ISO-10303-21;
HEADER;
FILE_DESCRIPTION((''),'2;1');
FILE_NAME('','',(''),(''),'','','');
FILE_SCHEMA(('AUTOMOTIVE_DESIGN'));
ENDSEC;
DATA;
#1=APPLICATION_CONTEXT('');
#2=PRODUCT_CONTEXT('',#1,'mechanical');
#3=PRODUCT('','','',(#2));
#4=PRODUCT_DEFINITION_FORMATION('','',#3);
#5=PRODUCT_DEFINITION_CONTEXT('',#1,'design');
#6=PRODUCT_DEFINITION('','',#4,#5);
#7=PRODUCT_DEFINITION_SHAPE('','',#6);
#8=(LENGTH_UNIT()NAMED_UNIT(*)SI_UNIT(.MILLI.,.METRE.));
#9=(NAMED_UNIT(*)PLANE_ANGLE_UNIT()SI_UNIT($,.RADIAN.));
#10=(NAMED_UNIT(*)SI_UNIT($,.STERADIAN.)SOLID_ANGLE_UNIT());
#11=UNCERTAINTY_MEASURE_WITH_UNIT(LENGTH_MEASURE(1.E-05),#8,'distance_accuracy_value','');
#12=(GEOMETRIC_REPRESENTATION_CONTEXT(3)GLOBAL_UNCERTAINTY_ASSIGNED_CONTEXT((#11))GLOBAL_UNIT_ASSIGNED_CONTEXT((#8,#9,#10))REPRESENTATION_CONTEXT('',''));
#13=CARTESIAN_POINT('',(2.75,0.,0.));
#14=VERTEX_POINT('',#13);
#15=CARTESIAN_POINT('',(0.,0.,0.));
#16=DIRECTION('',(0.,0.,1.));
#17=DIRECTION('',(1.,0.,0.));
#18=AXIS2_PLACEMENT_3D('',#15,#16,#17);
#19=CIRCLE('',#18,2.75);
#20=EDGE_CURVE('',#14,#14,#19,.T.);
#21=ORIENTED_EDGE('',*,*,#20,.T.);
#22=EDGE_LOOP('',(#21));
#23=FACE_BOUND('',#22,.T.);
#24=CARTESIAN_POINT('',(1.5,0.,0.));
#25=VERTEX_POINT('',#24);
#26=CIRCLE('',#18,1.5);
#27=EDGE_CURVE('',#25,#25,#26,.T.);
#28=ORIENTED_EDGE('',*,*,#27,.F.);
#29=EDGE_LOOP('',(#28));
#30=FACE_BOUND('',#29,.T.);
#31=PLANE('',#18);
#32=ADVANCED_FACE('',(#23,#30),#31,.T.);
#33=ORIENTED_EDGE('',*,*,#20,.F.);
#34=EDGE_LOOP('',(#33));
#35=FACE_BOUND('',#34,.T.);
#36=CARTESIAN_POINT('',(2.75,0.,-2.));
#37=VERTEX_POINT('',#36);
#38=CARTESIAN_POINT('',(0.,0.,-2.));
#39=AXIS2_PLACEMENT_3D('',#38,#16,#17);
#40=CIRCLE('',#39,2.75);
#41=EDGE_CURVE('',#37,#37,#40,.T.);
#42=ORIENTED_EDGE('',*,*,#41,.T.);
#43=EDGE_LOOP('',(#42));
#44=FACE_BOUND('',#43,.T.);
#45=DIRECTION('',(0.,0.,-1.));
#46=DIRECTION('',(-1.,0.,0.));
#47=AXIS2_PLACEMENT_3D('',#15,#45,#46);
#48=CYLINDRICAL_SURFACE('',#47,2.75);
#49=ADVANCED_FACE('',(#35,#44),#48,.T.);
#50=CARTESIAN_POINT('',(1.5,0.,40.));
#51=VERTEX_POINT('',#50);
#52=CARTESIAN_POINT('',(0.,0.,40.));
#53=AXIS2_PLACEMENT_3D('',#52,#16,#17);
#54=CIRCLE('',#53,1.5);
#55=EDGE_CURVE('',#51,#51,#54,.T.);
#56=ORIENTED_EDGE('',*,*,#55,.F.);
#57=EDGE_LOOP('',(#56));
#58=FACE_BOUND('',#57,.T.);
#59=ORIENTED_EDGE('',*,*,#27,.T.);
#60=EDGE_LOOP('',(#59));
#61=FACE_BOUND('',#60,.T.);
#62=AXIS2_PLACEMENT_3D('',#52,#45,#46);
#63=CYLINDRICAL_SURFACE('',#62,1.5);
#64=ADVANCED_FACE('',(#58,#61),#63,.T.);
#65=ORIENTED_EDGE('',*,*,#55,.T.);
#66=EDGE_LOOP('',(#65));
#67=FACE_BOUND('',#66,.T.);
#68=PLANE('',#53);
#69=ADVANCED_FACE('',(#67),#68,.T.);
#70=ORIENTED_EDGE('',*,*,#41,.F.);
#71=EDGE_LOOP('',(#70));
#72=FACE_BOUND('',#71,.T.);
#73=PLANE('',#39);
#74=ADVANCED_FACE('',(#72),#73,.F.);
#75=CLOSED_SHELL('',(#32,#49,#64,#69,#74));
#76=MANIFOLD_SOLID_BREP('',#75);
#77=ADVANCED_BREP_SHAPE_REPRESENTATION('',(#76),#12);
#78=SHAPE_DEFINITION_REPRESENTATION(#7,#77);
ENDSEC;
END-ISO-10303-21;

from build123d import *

# Parameters (mm, degrees)
SKETCH_1_R       = 1.5
M3X40_DEPTH      = 40
EXTRUDE_START    = -2
SKETCH_2_R       = 2.75
EXTRUDE_M3_DEPTH = 2


with BuildPart() as part:
    # 草图1 → M3x40螺杆简化 (new body)
    with BuildSketch(Plane.XY):
        Circle(SKETCH_1_R)
    extrude(amount=M3X40_DEPTH)

    # 草图2 → M3螺钉头简化 (add)
    with BuildSketch(Plane.XY.offset(EXTRUDE_START)):
        Circle(SKETCH_2_R)
    extrude(amount=EXTRUDE_M3_DEPTH)


solid = part.part
